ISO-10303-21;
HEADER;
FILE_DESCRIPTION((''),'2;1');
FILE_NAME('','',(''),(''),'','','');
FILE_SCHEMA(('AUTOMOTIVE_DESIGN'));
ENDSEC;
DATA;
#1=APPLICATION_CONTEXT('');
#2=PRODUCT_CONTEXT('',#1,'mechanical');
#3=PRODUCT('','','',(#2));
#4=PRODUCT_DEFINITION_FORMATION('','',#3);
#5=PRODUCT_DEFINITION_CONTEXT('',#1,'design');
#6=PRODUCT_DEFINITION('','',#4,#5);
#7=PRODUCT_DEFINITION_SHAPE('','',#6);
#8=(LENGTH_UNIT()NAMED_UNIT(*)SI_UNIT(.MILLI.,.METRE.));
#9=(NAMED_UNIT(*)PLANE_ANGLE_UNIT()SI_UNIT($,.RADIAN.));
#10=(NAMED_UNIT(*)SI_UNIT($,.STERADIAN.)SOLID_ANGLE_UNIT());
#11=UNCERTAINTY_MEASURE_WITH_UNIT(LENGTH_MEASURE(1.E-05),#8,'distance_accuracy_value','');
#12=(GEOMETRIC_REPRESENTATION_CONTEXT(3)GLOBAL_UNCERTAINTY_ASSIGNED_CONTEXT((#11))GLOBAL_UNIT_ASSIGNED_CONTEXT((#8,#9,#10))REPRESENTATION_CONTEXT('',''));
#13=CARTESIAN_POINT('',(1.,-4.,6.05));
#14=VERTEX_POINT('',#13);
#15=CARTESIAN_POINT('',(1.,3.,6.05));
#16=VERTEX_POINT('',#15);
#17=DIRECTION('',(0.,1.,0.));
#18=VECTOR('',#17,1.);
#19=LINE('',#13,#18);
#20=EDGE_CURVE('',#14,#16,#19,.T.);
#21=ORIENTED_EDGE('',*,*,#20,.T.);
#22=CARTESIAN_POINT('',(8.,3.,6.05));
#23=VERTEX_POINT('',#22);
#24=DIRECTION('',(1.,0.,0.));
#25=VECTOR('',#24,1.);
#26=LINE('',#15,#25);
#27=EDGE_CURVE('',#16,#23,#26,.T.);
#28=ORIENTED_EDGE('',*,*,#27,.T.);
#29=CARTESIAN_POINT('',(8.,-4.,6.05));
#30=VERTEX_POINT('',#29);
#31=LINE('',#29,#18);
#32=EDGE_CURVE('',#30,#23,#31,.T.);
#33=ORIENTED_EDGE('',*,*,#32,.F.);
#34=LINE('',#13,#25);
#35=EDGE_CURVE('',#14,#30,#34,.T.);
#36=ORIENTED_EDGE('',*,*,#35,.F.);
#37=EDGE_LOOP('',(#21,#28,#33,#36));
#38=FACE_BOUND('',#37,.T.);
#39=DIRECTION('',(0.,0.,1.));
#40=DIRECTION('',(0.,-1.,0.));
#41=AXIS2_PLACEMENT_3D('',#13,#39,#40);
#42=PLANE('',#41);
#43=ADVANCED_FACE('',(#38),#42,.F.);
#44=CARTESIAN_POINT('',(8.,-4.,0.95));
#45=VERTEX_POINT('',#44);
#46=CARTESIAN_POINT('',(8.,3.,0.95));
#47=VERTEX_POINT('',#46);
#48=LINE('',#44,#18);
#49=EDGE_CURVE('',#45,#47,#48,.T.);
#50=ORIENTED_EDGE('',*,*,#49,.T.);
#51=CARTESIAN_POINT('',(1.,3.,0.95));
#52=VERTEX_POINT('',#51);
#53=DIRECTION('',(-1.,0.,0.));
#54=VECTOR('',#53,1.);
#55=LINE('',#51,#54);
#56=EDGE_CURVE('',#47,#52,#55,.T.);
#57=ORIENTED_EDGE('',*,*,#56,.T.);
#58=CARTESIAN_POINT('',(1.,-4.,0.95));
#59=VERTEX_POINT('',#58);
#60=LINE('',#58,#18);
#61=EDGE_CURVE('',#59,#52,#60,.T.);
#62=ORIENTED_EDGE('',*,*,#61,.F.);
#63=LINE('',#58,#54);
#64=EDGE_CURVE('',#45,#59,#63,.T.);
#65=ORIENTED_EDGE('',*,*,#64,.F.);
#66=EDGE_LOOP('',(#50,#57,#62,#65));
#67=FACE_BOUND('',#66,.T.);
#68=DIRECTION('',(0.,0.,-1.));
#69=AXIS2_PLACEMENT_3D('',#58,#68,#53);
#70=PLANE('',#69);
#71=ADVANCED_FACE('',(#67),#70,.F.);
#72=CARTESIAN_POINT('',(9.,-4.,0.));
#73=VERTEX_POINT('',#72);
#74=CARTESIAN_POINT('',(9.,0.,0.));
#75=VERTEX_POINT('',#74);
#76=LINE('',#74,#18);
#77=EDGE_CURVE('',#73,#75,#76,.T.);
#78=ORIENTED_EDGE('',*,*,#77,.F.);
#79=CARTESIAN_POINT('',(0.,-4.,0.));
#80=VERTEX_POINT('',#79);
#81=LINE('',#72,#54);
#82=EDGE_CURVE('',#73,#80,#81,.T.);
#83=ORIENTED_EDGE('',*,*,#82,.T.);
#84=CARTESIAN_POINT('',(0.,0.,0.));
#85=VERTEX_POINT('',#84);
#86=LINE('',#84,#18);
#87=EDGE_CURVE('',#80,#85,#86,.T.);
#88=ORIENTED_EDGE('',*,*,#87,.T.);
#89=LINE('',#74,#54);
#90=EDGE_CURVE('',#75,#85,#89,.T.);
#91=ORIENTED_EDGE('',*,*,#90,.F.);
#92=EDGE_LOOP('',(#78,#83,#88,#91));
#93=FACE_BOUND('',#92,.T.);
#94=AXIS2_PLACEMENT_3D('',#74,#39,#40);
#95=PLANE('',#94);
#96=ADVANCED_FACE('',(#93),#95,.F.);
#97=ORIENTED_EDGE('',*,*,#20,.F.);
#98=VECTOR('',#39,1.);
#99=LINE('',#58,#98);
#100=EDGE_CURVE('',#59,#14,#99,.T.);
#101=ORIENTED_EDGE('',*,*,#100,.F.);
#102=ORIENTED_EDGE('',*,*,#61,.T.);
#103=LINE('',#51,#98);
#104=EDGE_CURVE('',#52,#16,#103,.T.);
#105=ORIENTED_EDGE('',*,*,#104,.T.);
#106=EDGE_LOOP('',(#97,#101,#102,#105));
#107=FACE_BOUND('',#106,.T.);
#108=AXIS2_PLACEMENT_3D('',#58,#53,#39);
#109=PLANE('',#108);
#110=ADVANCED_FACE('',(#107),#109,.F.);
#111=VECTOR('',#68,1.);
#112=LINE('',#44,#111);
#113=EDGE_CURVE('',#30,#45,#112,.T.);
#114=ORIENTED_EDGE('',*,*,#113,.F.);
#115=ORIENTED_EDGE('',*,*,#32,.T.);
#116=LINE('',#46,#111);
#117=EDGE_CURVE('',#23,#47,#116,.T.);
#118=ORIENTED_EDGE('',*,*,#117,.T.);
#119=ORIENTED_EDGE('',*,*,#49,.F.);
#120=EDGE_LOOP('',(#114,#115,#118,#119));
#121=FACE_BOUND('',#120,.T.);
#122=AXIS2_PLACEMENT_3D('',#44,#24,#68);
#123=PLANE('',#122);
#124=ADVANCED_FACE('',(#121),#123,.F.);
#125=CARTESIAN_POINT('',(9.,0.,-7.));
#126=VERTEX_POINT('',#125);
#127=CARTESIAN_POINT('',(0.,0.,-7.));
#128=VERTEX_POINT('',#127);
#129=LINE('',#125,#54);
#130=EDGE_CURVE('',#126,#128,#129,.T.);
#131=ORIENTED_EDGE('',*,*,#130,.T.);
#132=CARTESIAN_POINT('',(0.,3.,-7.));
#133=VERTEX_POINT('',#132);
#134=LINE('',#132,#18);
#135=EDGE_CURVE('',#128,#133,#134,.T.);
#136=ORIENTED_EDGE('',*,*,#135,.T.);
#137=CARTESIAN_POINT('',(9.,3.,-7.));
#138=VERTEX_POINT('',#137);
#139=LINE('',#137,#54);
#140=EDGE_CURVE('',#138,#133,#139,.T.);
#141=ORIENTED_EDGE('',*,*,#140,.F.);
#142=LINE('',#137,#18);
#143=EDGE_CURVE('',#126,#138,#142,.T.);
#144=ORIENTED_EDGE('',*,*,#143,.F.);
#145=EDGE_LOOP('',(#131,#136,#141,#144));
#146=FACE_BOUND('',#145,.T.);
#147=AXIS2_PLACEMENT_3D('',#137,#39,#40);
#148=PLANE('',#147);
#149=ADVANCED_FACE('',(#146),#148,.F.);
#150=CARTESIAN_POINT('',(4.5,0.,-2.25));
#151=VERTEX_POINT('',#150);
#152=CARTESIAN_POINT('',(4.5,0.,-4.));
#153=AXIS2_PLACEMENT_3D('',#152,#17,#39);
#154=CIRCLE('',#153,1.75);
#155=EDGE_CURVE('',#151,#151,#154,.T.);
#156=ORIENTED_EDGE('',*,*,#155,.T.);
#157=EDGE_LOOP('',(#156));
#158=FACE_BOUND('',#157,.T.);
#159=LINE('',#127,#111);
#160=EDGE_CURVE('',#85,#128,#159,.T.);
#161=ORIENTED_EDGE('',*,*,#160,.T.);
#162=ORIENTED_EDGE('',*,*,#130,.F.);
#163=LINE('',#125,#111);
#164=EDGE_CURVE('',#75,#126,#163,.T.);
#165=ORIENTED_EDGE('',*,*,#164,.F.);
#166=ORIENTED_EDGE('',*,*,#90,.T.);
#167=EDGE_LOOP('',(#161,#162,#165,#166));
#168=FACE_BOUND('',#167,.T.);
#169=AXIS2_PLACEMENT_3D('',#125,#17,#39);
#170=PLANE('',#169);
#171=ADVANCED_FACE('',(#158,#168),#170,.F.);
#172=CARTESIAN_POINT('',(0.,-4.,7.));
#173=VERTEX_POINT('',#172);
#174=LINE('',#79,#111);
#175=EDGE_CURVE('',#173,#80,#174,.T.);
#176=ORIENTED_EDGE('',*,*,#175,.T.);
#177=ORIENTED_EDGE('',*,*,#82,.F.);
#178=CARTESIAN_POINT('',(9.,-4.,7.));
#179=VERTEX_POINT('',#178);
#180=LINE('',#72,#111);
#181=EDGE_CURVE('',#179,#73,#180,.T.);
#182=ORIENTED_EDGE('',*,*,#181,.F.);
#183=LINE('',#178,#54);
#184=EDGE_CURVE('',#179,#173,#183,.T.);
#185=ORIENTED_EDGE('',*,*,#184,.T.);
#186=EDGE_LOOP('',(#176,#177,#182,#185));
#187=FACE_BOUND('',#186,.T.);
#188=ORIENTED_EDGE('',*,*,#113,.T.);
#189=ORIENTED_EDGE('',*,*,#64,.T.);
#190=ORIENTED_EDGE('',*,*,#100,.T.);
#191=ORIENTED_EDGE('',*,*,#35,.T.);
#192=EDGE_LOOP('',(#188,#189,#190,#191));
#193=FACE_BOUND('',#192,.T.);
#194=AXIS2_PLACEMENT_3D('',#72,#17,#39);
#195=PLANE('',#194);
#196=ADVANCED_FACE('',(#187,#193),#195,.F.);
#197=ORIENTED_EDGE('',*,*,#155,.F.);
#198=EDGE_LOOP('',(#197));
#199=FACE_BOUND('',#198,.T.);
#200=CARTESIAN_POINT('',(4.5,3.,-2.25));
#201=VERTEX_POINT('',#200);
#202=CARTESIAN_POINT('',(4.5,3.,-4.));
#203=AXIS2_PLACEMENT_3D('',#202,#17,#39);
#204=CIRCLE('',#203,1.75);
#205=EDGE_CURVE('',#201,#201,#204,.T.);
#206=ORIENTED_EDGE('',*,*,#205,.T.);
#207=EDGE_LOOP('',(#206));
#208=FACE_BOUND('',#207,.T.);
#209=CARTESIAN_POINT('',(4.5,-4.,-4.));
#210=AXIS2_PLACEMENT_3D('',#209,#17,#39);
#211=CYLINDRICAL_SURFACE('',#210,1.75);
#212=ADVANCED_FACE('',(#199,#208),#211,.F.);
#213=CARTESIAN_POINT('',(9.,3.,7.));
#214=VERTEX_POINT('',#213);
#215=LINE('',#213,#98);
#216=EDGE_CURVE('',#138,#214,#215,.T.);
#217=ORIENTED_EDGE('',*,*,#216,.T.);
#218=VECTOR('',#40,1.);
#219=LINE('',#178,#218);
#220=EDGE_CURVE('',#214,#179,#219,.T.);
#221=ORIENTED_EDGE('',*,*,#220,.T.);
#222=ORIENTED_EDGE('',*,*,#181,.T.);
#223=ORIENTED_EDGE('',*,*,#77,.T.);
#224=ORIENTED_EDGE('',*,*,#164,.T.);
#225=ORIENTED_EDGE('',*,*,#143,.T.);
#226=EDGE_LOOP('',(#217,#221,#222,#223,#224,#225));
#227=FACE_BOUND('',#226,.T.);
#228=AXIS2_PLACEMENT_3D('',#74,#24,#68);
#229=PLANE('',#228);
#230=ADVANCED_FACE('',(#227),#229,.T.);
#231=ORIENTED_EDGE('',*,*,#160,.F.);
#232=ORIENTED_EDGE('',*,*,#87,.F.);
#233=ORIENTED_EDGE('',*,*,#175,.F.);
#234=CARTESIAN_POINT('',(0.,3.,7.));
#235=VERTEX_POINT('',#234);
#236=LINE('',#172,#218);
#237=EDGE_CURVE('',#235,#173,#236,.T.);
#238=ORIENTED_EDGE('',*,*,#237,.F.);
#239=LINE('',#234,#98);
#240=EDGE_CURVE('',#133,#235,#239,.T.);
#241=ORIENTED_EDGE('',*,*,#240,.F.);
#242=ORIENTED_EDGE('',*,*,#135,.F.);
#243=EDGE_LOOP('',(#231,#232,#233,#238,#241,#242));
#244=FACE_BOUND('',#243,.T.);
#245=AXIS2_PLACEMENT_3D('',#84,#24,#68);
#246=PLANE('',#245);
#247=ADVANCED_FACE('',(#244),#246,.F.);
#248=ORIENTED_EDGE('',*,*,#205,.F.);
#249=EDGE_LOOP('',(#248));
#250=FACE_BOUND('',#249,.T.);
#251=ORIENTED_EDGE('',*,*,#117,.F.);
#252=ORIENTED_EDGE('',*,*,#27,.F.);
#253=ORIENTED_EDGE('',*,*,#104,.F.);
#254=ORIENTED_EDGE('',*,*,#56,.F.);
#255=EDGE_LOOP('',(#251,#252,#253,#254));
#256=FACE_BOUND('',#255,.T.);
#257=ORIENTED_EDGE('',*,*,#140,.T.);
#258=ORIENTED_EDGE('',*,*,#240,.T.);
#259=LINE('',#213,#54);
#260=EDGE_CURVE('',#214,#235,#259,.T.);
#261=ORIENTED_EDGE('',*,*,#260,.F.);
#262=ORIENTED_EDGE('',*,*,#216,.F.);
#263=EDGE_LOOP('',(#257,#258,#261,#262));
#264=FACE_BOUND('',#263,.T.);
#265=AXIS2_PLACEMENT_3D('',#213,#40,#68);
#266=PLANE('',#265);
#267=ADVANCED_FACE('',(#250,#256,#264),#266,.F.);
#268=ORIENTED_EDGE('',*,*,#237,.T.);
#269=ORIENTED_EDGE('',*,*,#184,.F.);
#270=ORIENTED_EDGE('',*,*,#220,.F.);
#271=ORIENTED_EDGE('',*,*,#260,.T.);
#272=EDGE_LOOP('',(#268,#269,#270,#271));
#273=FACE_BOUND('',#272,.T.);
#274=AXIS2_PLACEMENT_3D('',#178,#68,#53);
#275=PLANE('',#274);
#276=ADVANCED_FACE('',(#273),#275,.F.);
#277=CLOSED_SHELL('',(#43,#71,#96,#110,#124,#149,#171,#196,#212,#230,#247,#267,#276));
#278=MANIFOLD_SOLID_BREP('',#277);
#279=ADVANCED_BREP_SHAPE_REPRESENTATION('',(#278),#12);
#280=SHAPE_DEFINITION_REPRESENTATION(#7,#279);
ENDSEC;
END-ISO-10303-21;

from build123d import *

# Parameters (mm, degrees)
BOSS_EXTRUDE2_DEPTH = 9
SKETCH6_R           = 1.75
SKETCH6_W           = 7
SKETCH6_H           = 5.1
CUT_EXTRUDE1_DEPTH  = 8


with BuildPart() as part:
    # Sketch4 → Boss-Extrude2 (new body)
    with BuildSketch(Plane(origin=(0, 0, 0), x_dir=(0, 0, -1), z_dir=(1, 0, 0))):
        Polygon((0, 0), (0, -4), (-7, -4), (-7, 3), (7, 3), (7, 0), align=None)
    extrude(amount=BOSS_EXTRUDE2_DEPTH)

    # Sketch6 → Cut-Extrude1 (cut, through all)
    with BuildSketch(Plane(origin=(0, 3, 0), x_dir=(1, 0, 0), z_dir=(0, 1, 0))):
        with Locations((4.5, 4)):
            Circle(SKETCH6_R)
        with Locations((4.5, -3.5)):
            Rectangle(SKETCH6_W, SKETCH6_H)
    extrude(amount=-CUT_EXTRUDE1_DEPTH, mode=Mode.SUBTRACT)


solid = part.part
